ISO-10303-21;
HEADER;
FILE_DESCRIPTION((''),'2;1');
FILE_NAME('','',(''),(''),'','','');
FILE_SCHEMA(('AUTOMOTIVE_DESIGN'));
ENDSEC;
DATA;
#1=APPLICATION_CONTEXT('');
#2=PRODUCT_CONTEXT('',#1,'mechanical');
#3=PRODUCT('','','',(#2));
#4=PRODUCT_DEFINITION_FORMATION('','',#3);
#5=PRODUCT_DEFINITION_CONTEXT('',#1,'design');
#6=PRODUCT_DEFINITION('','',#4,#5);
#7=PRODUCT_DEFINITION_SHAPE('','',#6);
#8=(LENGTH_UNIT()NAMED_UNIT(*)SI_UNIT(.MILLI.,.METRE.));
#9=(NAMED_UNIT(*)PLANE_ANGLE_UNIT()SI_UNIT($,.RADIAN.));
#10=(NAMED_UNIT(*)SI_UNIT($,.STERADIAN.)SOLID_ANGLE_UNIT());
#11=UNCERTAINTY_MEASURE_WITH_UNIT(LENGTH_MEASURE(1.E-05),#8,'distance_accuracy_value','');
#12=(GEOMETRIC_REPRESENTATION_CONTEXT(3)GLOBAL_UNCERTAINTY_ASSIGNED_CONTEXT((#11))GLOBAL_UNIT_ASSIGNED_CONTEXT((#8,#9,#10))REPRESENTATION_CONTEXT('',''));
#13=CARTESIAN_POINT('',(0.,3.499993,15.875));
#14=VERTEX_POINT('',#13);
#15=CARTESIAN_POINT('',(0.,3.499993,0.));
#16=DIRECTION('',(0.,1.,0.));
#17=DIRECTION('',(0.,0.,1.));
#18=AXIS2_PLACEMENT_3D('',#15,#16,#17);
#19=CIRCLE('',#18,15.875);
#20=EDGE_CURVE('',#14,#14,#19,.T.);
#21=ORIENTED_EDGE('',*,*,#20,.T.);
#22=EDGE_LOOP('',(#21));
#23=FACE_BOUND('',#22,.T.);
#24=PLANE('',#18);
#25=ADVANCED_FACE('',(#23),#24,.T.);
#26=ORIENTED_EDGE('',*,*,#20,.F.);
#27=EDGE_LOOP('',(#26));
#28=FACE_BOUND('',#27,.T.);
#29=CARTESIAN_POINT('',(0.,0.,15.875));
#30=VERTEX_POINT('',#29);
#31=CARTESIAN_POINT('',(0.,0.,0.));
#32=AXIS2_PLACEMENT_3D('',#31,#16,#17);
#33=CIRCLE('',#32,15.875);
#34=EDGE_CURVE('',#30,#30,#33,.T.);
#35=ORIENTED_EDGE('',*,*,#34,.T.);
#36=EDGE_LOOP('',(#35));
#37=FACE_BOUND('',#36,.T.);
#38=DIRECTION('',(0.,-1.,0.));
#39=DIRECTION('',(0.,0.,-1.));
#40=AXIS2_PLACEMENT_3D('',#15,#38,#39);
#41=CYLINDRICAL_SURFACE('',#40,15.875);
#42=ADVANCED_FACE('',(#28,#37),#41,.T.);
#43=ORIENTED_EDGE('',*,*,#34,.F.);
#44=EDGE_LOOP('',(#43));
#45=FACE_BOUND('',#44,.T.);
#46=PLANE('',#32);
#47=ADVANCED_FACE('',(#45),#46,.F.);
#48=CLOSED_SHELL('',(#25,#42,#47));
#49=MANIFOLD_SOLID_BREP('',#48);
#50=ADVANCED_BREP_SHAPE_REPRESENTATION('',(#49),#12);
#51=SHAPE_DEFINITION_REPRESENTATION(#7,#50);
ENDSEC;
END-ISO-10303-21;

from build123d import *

# Parameters (mm, degrees)
SKETCH1_R           = 15.875
BOSS_EXTRUDE1_DEPTH = 3.499993


with BuildPart() as part:
    # Sketch1 → Boss-Extrude1 (new body)
    with BuildSketch(Plane(origin=(0, 0, 0), x_dir=(1, 0, 0), z_dir=(0, 1, 0))):
        with Locations(Location((0, 0, 0), (0, 0, 270))):
            Circle(SKETCH1_R)
    extrude(amount=BOSS_EXTRUDE1_DEPTH)


solid = part.part
